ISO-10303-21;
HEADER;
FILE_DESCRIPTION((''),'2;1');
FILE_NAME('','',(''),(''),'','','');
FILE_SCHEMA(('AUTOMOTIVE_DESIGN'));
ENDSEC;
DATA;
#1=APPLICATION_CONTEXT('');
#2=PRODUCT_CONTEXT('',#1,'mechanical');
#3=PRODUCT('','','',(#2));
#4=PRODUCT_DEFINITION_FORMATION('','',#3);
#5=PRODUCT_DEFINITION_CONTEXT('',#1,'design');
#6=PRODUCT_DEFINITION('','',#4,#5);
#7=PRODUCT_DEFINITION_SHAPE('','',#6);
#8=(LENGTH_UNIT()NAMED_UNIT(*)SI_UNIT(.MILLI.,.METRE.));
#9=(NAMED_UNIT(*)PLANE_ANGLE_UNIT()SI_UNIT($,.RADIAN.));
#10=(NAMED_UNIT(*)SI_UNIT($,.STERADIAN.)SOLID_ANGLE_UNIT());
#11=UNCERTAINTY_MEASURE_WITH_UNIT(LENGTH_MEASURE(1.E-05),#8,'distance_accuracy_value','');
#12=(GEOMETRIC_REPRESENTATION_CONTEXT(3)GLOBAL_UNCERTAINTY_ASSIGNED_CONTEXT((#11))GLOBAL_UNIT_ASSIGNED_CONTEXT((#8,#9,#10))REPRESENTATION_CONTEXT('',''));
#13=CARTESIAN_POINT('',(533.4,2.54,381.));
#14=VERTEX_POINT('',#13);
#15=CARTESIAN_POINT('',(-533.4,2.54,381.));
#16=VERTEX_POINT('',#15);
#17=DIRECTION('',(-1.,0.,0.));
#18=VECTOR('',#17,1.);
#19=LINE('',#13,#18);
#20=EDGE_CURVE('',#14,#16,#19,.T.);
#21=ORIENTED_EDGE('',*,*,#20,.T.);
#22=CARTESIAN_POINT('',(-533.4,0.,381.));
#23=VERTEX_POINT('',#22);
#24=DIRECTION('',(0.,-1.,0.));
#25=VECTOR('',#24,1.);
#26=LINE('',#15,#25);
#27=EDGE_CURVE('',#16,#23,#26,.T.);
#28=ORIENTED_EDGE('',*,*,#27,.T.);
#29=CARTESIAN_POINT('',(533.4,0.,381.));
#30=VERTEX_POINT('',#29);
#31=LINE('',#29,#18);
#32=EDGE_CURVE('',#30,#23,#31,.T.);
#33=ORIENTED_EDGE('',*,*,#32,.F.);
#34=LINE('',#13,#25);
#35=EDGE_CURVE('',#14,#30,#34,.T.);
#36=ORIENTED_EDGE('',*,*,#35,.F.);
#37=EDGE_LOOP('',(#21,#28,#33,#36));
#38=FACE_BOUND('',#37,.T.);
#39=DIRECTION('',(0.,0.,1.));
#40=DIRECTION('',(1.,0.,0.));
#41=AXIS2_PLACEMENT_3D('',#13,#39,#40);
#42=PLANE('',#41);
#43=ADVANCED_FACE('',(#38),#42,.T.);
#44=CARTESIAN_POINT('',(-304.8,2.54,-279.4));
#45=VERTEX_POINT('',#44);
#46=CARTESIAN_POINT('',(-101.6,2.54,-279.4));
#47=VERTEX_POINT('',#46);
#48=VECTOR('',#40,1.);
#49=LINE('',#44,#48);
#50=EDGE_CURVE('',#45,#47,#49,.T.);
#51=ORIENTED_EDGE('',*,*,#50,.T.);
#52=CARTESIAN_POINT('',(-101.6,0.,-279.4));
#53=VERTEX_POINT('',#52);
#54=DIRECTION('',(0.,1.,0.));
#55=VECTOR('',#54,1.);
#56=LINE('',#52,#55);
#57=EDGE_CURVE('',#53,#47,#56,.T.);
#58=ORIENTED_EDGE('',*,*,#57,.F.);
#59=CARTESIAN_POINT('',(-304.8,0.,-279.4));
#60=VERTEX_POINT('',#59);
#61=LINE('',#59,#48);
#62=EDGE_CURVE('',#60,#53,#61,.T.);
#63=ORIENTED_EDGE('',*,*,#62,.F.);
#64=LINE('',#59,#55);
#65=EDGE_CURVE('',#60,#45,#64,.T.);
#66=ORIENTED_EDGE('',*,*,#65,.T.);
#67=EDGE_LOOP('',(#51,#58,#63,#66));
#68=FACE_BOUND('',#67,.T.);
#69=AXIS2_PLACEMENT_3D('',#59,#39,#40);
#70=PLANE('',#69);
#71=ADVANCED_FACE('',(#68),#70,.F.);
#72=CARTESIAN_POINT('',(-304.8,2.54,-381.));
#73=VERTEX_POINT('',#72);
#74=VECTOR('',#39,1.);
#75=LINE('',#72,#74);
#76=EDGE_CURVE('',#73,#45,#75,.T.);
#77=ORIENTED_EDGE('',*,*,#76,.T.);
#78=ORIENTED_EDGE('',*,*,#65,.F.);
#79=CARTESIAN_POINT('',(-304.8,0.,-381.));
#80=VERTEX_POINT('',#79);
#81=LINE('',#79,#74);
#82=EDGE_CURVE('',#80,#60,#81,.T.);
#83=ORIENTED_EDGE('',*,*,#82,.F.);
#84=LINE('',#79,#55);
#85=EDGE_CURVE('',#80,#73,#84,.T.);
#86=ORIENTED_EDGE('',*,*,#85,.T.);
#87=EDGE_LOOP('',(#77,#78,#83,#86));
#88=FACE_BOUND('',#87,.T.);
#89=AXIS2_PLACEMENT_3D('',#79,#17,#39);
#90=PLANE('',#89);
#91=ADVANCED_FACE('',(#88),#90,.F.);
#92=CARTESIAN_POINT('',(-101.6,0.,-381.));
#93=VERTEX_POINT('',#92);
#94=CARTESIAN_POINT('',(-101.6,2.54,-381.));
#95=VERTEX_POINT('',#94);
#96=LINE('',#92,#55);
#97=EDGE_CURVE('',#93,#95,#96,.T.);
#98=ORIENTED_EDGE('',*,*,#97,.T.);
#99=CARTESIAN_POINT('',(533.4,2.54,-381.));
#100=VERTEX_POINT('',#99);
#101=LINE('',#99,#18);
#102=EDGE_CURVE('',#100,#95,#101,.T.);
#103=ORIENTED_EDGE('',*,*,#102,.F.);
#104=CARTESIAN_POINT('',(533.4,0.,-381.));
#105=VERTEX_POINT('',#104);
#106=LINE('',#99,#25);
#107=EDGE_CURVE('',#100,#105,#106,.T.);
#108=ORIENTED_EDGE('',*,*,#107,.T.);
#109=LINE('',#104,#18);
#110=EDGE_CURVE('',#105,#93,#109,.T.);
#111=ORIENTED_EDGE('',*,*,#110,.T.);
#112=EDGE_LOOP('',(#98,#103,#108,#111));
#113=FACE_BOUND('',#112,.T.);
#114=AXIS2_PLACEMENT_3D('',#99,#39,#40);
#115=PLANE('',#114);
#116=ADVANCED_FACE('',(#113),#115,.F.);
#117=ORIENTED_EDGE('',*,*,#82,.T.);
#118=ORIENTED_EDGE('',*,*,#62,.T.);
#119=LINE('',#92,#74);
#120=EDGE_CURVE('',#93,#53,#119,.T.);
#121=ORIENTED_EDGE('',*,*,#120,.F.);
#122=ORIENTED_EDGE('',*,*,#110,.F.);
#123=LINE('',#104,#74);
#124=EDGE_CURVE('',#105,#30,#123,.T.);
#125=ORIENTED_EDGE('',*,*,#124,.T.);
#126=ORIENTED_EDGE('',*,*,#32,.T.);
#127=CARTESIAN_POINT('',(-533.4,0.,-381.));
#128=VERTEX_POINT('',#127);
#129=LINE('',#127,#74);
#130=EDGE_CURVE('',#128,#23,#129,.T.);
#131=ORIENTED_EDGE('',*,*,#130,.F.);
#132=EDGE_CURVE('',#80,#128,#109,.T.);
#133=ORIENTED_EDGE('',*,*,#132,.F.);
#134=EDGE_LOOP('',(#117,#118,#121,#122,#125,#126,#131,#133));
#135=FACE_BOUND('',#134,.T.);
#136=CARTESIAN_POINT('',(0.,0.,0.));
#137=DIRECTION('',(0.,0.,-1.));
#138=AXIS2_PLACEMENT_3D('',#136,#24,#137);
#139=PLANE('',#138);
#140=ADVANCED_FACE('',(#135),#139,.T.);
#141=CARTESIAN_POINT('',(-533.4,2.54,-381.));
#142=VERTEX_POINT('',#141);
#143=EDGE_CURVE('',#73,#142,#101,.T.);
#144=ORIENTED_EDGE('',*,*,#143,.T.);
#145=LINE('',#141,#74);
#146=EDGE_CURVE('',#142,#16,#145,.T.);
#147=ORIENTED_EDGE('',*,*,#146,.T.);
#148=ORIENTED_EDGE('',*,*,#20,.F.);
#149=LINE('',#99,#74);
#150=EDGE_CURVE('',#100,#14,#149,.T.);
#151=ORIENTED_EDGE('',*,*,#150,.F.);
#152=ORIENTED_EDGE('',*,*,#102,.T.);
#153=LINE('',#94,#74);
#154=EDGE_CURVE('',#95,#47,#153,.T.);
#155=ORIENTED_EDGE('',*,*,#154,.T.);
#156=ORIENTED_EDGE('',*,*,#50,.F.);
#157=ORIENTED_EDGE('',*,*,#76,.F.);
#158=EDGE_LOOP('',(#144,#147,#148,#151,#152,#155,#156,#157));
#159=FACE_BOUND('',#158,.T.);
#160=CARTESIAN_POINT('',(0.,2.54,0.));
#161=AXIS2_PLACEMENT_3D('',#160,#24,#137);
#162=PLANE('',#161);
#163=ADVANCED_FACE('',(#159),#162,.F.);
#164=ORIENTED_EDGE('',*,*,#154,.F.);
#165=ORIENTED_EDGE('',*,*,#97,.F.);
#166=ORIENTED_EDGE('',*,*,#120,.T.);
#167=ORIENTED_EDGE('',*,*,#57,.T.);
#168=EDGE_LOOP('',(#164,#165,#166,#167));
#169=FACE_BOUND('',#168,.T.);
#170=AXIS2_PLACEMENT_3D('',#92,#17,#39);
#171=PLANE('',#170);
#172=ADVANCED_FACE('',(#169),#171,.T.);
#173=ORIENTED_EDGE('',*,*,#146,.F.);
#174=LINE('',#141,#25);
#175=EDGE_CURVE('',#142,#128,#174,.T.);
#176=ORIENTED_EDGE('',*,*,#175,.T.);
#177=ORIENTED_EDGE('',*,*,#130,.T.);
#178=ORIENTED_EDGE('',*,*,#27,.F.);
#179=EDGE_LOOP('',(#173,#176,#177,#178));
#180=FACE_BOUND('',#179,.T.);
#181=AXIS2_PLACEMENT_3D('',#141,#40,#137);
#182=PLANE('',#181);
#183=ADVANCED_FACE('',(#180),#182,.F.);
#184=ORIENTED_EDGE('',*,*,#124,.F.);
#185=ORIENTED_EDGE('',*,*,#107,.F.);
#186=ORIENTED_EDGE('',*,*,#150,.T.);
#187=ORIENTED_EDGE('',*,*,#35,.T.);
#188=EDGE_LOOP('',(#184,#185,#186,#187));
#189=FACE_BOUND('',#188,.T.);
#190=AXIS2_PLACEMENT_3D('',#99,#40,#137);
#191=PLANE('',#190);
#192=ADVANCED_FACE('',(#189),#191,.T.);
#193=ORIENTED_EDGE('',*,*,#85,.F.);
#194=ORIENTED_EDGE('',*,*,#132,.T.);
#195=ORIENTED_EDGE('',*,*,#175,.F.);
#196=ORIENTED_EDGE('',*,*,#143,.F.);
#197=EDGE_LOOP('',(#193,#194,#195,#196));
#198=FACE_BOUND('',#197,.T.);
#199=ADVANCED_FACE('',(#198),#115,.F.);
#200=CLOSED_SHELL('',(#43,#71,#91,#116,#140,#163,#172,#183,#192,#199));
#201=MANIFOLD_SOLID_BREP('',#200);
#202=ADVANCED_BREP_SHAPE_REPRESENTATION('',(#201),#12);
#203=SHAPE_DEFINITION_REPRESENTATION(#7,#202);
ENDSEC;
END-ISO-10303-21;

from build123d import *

# Parameters (mm, degrees)
SKETCH1_W           = 1066.8
SKETCH1_H           = 762
BOSS_EXTRUDE1_DEPTH = 2.54
SKETCH2_W           = 203.2
SKETCH2_H           = 101.6
CUT_EXTRUDE1_DEPTH  = 656.50210648


with BuildPart() as part:
    # Sketch1 → Boss-Extrude1 (new body)
    with BuildSketch(Plane(origin=(0, 0, 0), x_dir=(1, 0, 0), z_dir=(0, 1, 0))):
        Rectangle(SKETCH1_W, SKETCH1_H)
    extrude(amount=BOSS_EXTRUDE1_DEPTH)

    # Sketch2 → Cut-Extrude1 (cut, through all)
    with BuildSketch(Plane(origin=(0, 2.54, 0), x_dir=(1, 0, 0), z_dir=(0, 1, 0))):
        with Locations((-203.2, 330.2)):
            Rectangle(SKETCH2_W, SKETCH2_H)
    extrude(amount=-CUT_EXTRUDE1_DEPTH, mode=Mode.SUBTRACT)


solid = part.part
